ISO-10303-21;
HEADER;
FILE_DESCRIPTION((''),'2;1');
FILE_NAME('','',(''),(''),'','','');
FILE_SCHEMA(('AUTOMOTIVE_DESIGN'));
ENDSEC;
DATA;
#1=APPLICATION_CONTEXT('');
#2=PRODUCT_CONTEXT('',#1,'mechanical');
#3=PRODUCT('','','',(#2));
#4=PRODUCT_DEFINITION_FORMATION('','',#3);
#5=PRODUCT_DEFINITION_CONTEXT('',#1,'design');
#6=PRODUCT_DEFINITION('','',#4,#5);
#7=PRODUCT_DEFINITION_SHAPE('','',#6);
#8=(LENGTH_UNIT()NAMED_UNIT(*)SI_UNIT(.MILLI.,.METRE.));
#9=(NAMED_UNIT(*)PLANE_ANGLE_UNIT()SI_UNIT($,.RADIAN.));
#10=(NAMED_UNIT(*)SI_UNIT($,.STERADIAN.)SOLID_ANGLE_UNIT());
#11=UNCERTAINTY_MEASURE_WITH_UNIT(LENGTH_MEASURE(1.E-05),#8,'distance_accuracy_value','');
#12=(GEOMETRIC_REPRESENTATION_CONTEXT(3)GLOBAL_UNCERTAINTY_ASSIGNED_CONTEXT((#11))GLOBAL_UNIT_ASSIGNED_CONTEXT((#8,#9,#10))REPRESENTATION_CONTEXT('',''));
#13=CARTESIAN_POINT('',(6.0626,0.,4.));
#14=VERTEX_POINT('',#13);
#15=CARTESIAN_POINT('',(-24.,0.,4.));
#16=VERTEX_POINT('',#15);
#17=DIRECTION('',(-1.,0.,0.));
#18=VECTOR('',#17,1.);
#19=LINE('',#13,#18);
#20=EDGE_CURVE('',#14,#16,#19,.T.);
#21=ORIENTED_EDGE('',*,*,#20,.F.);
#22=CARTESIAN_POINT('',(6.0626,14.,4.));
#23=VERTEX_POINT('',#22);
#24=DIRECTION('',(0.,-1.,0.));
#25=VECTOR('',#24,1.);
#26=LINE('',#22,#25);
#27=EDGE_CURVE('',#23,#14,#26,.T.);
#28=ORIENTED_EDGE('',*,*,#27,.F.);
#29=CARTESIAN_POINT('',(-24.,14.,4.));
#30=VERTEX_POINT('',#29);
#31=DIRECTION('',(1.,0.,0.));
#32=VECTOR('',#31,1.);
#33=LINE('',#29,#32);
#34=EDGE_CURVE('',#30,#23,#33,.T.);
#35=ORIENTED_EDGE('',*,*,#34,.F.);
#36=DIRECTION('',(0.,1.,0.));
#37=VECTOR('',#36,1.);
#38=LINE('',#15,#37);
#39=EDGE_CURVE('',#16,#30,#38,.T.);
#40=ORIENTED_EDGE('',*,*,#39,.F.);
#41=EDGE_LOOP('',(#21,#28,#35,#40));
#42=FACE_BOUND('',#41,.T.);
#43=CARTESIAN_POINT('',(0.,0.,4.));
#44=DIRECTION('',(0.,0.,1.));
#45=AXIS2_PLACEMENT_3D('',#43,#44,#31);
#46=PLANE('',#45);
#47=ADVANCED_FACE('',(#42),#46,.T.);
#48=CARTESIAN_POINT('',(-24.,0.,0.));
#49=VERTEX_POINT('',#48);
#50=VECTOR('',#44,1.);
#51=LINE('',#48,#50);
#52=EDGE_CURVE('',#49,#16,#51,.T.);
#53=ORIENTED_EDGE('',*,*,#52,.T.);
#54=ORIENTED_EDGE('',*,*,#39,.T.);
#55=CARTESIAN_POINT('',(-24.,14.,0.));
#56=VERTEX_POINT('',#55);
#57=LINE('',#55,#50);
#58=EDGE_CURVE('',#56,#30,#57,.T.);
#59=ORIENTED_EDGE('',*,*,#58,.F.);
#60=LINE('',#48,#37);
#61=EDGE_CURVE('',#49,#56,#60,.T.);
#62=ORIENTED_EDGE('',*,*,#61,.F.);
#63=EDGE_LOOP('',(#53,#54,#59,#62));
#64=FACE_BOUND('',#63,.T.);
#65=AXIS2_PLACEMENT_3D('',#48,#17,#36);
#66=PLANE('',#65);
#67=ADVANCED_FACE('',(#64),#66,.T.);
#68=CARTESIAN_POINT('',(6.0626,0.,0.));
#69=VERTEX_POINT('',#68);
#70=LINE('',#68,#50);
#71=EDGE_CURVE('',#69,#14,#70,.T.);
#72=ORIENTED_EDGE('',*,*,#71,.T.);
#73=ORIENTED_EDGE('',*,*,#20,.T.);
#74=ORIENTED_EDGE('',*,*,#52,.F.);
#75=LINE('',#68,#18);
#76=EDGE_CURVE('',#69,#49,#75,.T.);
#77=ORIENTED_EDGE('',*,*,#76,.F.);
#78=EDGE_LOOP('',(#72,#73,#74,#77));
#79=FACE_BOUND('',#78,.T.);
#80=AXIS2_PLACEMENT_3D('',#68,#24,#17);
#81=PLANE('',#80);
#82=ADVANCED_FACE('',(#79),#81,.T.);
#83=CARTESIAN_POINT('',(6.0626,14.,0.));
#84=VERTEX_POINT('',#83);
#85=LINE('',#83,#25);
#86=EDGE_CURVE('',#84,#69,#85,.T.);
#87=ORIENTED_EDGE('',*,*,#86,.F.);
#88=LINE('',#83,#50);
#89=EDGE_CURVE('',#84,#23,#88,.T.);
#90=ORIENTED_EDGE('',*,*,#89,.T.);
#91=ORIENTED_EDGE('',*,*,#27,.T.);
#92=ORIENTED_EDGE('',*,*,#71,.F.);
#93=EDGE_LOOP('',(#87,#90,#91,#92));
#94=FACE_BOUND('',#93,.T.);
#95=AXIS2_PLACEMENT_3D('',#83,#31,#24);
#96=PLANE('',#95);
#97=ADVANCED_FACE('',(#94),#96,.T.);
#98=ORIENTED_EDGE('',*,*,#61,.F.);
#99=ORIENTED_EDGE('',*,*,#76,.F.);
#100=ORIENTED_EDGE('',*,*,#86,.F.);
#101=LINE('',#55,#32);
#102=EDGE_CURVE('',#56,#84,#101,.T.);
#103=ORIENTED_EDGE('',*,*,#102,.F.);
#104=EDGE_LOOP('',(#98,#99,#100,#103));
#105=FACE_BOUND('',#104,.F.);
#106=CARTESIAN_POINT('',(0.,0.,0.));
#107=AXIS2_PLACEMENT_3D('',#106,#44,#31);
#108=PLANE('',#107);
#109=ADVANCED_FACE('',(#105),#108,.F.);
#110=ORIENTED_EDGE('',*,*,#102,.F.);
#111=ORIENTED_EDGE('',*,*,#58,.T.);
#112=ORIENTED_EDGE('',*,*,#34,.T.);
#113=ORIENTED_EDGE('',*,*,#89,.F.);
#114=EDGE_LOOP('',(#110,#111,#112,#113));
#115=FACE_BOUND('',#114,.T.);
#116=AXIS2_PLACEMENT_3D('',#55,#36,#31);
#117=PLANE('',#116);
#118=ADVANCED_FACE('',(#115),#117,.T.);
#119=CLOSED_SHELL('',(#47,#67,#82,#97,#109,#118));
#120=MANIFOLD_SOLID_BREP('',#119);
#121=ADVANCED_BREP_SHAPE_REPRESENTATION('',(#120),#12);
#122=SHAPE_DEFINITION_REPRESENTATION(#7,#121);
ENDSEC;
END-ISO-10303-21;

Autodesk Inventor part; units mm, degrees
ref_plane "YZ Plane" through (0, 0, 0) normal (1, 0, 0) x (0, 1, 0)
ref_plane "XZ Plane" through (0, 0, 0) normal (0, 1, 0) x (-1, 0, 0)
ref_plane "XY Plane" through (0, 0, 0) normal (0, 0, 1) x (1, 0, 0)
sketch "Sketch1" plane through (0, 0, 0) normal (0, 0, 1) x (1, 0, 0)
  line L0 (-24, 14) -> (6.0626, 14)
  line L1 (6.0626, 14) -> (6.0626, 0)
  line L2 (6.0626, 0) -> (-24, 0)
  line L3 (-24, 0) -> (-24, 14)
  point P0 (0, 0)
extrude "Extrusion1" add sketch "Sketch1" along normal blind 4
properties part number "McCrea_uhco_walle"
